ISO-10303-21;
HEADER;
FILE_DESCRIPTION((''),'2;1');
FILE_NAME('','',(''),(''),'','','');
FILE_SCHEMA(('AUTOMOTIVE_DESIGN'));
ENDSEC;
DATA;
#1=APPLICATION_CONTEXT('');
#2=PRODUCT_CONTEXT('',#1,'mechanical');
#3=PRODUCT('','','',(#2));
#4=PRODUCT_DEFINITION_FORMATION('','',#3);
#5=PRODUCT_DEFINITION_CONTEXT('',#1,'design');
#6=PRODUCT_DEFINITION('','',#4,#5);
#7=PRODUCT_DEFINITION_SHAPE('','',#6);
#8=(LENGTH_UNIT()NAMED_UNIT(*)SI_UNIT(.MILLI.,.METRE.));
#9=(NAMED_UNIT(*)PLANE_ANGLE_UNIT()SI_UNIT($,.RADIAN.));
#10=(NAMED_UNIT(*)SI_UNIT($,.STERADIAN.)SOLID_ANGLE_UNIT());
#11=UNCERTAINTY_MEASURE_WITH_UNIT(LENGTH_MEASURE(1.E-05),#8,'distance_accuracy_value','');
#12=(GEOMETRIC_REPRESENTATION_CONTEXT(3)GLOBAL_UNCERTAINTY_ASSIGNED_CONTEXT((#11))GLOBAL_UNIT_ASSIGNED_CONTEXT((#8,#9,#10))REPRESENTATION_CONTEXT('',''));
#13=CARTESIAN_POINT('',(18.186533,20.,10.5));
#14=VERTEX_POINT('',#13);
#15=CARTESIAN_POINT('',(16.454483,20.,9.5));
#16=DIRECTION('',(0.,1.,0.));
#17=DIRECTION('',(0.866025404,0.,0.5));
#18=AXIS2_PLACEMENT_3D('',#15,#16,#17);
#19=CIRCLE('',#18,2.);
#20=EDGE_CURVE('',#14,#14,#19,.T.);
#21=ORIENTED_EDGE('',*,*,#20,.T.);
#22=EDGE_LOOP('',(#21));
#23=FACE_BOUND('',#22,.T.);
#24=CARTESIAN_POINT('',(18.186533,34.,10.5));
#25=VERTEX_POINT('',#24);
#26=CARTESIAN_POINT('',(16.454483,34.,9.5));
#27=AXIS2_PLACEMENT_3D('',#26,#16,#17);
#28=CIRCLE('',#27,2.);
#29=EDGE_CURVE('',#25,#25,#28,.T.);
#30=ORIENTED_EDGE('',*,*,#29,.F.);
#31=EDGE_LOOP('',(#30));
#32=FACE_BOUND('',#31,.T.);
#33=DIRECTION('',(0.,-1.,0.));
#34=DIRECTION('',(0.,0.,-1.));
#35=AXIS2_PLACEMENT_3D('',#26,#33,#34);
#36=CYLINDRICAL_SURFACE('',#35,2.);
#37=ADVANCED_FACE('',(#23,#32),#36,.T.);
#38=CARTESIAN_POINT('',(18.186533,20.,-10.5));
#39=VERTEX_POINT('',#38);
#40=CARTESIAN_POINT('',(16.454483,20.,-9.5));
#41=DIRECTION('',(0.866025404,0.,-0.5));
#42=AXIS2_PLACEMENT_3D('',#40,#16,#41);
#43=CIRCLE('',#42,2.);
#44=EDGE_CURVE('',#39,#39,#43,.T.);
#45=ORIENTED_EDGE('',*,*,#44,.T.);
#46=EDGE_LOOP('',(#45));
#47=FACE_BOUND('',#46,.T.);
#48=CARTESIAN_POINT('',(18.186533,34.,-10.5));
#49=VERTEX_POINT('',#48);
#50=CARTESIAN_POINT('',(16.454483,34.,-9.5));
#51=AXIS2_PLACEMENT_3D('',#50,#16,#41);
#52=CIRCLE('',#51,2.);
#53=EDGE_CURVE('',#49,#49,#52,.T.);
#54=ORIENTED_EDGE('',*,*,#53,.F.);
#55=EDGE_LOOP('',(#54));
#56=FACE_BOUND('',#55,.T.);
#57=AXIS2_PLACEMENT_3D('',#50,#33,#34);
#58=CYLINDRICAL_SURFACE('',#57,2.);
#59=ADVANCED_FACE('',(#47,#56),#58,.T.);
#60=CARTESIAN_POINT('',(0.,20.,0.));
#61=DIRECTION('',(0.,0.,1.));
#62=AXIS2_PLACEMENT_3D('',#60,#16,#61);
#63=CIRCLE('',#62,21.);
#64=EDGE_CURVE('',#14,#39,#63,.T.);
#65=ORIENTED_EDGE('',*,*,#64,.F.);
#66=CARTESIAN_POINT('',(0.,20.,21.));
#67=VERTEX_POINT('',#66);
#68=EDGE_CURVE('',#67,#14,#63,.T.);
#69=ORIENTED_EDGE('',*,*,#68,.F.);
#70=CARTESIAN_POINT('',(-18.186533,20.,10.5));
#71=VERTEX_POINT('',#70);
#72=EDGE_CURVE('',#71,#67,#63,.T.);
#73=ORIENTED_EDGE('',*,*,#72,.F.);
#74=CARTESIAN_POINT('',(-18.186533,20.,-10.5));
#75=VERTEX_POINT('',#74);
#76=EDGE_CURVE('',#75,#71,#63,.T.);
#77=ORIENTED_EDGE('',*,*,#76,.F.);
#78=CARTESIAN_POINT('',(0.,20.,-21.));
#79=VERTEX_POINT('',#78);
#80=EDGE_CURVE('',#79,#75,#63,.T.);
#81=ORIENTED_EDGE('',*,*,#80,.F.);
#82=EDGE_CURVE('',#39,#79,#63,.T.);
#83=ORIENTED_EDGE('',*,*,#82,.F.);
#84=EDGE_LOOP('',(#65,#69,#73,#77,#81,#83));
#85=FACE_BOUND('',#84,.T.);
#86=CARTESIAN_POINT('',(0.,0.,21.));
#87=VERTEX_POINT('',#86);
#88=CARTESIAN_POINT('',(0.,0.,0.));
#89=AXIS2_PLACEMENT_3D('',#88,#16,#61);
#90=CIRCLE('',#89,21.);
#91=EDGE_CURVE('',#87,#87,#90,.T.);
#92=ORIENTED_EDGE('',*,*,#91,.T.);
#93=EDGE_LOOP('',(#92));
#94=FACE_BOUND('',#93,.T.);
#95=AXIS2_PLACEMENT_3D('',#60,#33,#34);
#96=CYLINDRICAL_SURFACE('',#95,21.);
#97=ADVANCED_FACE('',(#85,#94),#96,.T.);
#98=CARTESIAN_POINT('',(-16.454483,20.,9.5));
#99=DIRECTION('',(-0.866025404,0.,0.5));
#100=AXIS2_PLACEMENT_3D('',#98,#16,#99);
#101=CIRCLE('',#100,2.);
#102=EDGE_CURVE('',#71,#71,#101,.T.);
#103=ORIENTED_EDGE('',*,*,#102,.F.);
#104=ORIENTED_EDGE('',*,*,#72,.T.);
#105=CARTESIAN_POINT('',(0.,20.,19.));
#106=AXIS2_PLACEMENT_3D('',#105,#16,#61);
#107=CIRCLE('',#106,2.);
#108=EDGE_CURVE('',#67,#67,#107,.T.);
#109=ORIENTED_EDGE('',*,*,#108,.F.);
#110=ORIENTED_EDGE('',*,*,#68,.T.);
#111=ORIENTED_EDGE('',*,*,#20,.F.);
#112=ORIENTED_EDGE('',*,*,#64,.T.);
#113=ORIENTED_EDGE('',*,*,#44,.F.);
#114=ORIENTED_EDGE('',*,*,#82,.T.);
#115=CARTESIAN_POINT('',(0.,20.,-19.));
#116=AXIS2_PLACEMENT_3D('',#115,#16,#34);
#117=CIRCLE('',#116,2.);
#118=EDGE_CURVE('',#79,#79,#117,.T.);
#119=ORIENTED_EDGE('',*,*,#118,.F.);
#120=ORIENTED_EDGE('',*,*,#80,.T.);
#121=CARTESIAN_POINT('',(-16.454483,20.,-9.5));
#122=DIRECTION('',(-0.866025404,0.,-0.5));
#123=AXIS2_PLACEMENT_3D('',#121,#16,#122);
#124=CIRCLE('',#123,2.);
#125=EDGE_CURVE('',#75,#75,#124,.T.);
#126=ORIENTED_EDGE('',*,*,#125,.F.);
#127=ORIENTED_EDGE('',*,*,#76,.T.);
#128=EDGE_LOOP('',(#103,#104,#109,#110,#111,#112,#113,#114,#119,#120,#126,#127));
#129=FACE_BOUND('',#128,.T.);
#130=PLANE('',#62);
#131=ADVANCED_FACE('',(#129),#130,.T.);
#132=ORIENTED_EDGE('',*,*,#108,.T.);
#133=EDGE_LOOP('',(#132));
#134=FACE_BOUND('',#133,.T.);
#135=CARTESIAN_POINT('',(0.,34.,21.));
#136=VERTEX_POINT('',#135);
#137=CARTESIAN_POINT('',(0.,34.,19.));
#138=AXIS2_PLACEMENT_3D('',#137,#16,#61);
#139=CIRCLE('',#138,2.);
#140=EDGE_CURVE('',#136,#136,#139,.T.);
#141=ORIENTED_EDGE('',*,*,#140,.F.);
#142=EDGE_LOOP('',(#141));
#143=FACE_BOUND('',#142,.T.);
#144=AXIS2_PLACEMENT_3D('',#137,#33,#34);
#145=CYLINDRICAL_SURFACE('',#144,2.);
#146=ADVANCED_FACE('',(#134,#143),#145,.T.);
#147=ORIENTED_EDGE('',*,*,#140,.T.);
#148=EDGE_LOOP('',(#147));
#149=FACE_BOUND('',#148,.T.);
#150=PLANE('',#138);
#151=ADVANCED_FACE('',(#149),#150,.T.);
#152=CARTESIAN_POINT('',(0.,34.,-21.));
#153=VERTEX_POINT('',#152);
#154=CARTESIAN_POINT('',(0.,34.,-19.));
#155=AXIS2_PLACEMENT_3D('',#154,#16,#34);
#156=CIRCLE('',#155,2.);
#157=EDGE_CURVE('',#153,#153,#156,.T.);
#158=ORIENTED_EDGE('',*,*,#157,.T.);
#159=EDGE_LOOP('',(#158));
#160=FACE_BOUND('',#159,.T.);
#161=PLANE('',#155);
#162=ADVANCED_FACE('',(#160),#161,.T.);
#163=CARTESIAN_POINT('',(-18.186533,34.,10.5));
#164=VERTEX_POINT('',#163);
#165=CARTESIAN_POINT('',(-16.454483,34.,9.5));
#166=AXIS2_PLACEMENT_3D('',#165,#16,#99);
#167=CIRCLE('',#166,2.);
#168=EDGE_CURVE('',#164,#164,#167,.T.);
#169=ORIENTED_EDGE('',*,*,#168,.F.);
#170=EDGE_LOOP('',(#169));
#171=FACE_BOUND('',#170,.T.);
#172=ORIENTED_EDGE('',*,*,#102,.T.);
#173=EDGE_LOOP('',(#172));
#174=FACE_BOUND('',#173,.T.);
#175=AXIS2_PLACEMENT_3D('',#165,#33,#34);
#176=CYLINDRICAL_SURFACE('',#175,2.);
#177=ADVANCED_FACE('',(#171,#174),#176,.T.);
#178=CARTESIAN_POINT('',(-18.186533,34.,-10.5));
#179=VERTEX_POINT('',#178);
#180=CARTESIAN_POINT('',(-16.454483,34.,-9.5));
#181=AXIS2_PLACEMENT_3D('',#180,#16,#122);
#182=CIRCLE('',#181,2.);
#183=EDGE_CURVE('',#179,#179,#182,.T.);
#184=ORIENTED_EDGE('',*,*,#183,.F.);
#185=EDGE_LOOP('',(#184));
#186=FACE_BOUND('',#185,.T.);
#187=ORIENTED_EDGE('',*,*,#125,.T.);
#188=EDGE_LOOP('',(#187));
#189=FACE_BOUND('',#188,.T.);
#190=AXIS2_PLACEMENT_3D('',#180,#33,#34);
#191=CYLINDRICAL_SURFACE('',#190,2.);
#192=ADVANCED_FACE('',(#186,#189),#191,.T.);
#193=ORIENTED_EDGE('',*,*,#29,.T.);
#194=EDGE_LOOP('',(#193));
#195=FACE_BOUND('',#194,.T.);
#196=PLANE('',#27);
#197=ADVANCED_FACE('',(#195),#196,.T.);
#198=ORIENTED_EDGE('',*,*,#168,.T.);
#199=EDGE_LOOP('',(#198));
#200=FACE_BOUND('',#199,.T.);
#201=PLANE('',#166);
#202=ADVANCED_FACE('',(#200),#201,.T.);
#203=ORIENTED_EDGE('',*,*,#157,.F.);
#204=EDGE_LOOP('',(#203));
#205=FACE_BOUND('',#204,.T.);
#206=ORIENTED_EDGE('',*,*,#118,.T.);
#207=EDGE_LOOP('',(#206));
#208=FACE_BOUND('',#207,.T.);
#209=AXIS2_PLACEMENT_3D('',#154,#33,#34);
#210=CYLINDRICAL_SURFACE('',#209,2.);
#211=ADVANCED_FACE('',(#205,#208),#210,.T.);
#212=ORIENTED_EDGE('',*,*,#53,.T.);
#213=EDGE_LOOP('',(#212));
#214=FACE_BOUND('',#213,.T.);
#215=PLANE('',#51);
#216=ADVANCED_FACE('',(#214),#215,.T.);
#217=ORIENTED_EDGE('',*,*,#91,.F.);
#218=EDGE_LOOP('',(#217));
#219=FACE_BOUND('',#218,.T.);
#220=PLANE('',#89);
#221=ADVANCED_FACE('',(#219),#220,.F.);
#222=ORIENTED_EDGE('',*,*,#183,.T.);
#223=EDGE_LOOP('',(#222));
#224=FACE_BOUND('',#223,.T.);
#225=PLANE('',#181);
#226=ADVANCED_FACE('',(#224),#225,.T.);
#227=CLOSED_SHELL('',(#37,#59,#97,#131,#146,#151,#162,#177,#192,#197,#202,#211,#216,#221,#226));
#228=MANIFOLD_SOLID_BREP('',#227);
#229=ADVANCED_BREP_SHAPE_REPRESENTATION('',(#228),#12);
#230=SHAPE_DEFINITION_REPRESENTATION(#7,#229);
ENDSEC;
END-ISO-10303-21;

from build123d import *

# Parameters (mm, degrees)
SKETCH1_R           = 21
BOSS_EXTRUDE1_DEPTH = 20
SKETCH2_R           = 2
BOSS_EXTRUDE3_DEPTH = 14
CIRPATTERN1_COUNT   = 6


with BuildPart() as part:
    # Sketch1 → Boss-Extrude1 (new body)
    with BuildSketch(Plane(origin=(0, 0, 0), x_dir=(1, 0, 0), z_dir=(0, 1, 0))):
        Circle(SKETCH1_R)
    extrude(amount=BOSS_EXTRUDE1_DEPTH)

    # Sketch2 → Boss-Extrude3 (add)
    with BuildSketch(Plane(origin=(0, 20, 0), x_dir=(1, 0, 0), z_dir=(0, 1, 0))):
        with Locations((0, -19)):
            Circle(SKETCH2_R)
    boss_extrude3 = extrude(amount=BOSS_EXTRUDE3_DEPTH)

    # CirPattern1: Boss-Extrude3 ×6 about axis
    cirpattern1_axis = Axis((0, 0, 0), (0, 1, 0))
    for i in range(1, CIRPATTERN1_COUNT):
        add(boss_extrude3.rotate(cirpattern1_axis, i * 360 / CIRPATTERN1_COUNT))


solid = part.part
